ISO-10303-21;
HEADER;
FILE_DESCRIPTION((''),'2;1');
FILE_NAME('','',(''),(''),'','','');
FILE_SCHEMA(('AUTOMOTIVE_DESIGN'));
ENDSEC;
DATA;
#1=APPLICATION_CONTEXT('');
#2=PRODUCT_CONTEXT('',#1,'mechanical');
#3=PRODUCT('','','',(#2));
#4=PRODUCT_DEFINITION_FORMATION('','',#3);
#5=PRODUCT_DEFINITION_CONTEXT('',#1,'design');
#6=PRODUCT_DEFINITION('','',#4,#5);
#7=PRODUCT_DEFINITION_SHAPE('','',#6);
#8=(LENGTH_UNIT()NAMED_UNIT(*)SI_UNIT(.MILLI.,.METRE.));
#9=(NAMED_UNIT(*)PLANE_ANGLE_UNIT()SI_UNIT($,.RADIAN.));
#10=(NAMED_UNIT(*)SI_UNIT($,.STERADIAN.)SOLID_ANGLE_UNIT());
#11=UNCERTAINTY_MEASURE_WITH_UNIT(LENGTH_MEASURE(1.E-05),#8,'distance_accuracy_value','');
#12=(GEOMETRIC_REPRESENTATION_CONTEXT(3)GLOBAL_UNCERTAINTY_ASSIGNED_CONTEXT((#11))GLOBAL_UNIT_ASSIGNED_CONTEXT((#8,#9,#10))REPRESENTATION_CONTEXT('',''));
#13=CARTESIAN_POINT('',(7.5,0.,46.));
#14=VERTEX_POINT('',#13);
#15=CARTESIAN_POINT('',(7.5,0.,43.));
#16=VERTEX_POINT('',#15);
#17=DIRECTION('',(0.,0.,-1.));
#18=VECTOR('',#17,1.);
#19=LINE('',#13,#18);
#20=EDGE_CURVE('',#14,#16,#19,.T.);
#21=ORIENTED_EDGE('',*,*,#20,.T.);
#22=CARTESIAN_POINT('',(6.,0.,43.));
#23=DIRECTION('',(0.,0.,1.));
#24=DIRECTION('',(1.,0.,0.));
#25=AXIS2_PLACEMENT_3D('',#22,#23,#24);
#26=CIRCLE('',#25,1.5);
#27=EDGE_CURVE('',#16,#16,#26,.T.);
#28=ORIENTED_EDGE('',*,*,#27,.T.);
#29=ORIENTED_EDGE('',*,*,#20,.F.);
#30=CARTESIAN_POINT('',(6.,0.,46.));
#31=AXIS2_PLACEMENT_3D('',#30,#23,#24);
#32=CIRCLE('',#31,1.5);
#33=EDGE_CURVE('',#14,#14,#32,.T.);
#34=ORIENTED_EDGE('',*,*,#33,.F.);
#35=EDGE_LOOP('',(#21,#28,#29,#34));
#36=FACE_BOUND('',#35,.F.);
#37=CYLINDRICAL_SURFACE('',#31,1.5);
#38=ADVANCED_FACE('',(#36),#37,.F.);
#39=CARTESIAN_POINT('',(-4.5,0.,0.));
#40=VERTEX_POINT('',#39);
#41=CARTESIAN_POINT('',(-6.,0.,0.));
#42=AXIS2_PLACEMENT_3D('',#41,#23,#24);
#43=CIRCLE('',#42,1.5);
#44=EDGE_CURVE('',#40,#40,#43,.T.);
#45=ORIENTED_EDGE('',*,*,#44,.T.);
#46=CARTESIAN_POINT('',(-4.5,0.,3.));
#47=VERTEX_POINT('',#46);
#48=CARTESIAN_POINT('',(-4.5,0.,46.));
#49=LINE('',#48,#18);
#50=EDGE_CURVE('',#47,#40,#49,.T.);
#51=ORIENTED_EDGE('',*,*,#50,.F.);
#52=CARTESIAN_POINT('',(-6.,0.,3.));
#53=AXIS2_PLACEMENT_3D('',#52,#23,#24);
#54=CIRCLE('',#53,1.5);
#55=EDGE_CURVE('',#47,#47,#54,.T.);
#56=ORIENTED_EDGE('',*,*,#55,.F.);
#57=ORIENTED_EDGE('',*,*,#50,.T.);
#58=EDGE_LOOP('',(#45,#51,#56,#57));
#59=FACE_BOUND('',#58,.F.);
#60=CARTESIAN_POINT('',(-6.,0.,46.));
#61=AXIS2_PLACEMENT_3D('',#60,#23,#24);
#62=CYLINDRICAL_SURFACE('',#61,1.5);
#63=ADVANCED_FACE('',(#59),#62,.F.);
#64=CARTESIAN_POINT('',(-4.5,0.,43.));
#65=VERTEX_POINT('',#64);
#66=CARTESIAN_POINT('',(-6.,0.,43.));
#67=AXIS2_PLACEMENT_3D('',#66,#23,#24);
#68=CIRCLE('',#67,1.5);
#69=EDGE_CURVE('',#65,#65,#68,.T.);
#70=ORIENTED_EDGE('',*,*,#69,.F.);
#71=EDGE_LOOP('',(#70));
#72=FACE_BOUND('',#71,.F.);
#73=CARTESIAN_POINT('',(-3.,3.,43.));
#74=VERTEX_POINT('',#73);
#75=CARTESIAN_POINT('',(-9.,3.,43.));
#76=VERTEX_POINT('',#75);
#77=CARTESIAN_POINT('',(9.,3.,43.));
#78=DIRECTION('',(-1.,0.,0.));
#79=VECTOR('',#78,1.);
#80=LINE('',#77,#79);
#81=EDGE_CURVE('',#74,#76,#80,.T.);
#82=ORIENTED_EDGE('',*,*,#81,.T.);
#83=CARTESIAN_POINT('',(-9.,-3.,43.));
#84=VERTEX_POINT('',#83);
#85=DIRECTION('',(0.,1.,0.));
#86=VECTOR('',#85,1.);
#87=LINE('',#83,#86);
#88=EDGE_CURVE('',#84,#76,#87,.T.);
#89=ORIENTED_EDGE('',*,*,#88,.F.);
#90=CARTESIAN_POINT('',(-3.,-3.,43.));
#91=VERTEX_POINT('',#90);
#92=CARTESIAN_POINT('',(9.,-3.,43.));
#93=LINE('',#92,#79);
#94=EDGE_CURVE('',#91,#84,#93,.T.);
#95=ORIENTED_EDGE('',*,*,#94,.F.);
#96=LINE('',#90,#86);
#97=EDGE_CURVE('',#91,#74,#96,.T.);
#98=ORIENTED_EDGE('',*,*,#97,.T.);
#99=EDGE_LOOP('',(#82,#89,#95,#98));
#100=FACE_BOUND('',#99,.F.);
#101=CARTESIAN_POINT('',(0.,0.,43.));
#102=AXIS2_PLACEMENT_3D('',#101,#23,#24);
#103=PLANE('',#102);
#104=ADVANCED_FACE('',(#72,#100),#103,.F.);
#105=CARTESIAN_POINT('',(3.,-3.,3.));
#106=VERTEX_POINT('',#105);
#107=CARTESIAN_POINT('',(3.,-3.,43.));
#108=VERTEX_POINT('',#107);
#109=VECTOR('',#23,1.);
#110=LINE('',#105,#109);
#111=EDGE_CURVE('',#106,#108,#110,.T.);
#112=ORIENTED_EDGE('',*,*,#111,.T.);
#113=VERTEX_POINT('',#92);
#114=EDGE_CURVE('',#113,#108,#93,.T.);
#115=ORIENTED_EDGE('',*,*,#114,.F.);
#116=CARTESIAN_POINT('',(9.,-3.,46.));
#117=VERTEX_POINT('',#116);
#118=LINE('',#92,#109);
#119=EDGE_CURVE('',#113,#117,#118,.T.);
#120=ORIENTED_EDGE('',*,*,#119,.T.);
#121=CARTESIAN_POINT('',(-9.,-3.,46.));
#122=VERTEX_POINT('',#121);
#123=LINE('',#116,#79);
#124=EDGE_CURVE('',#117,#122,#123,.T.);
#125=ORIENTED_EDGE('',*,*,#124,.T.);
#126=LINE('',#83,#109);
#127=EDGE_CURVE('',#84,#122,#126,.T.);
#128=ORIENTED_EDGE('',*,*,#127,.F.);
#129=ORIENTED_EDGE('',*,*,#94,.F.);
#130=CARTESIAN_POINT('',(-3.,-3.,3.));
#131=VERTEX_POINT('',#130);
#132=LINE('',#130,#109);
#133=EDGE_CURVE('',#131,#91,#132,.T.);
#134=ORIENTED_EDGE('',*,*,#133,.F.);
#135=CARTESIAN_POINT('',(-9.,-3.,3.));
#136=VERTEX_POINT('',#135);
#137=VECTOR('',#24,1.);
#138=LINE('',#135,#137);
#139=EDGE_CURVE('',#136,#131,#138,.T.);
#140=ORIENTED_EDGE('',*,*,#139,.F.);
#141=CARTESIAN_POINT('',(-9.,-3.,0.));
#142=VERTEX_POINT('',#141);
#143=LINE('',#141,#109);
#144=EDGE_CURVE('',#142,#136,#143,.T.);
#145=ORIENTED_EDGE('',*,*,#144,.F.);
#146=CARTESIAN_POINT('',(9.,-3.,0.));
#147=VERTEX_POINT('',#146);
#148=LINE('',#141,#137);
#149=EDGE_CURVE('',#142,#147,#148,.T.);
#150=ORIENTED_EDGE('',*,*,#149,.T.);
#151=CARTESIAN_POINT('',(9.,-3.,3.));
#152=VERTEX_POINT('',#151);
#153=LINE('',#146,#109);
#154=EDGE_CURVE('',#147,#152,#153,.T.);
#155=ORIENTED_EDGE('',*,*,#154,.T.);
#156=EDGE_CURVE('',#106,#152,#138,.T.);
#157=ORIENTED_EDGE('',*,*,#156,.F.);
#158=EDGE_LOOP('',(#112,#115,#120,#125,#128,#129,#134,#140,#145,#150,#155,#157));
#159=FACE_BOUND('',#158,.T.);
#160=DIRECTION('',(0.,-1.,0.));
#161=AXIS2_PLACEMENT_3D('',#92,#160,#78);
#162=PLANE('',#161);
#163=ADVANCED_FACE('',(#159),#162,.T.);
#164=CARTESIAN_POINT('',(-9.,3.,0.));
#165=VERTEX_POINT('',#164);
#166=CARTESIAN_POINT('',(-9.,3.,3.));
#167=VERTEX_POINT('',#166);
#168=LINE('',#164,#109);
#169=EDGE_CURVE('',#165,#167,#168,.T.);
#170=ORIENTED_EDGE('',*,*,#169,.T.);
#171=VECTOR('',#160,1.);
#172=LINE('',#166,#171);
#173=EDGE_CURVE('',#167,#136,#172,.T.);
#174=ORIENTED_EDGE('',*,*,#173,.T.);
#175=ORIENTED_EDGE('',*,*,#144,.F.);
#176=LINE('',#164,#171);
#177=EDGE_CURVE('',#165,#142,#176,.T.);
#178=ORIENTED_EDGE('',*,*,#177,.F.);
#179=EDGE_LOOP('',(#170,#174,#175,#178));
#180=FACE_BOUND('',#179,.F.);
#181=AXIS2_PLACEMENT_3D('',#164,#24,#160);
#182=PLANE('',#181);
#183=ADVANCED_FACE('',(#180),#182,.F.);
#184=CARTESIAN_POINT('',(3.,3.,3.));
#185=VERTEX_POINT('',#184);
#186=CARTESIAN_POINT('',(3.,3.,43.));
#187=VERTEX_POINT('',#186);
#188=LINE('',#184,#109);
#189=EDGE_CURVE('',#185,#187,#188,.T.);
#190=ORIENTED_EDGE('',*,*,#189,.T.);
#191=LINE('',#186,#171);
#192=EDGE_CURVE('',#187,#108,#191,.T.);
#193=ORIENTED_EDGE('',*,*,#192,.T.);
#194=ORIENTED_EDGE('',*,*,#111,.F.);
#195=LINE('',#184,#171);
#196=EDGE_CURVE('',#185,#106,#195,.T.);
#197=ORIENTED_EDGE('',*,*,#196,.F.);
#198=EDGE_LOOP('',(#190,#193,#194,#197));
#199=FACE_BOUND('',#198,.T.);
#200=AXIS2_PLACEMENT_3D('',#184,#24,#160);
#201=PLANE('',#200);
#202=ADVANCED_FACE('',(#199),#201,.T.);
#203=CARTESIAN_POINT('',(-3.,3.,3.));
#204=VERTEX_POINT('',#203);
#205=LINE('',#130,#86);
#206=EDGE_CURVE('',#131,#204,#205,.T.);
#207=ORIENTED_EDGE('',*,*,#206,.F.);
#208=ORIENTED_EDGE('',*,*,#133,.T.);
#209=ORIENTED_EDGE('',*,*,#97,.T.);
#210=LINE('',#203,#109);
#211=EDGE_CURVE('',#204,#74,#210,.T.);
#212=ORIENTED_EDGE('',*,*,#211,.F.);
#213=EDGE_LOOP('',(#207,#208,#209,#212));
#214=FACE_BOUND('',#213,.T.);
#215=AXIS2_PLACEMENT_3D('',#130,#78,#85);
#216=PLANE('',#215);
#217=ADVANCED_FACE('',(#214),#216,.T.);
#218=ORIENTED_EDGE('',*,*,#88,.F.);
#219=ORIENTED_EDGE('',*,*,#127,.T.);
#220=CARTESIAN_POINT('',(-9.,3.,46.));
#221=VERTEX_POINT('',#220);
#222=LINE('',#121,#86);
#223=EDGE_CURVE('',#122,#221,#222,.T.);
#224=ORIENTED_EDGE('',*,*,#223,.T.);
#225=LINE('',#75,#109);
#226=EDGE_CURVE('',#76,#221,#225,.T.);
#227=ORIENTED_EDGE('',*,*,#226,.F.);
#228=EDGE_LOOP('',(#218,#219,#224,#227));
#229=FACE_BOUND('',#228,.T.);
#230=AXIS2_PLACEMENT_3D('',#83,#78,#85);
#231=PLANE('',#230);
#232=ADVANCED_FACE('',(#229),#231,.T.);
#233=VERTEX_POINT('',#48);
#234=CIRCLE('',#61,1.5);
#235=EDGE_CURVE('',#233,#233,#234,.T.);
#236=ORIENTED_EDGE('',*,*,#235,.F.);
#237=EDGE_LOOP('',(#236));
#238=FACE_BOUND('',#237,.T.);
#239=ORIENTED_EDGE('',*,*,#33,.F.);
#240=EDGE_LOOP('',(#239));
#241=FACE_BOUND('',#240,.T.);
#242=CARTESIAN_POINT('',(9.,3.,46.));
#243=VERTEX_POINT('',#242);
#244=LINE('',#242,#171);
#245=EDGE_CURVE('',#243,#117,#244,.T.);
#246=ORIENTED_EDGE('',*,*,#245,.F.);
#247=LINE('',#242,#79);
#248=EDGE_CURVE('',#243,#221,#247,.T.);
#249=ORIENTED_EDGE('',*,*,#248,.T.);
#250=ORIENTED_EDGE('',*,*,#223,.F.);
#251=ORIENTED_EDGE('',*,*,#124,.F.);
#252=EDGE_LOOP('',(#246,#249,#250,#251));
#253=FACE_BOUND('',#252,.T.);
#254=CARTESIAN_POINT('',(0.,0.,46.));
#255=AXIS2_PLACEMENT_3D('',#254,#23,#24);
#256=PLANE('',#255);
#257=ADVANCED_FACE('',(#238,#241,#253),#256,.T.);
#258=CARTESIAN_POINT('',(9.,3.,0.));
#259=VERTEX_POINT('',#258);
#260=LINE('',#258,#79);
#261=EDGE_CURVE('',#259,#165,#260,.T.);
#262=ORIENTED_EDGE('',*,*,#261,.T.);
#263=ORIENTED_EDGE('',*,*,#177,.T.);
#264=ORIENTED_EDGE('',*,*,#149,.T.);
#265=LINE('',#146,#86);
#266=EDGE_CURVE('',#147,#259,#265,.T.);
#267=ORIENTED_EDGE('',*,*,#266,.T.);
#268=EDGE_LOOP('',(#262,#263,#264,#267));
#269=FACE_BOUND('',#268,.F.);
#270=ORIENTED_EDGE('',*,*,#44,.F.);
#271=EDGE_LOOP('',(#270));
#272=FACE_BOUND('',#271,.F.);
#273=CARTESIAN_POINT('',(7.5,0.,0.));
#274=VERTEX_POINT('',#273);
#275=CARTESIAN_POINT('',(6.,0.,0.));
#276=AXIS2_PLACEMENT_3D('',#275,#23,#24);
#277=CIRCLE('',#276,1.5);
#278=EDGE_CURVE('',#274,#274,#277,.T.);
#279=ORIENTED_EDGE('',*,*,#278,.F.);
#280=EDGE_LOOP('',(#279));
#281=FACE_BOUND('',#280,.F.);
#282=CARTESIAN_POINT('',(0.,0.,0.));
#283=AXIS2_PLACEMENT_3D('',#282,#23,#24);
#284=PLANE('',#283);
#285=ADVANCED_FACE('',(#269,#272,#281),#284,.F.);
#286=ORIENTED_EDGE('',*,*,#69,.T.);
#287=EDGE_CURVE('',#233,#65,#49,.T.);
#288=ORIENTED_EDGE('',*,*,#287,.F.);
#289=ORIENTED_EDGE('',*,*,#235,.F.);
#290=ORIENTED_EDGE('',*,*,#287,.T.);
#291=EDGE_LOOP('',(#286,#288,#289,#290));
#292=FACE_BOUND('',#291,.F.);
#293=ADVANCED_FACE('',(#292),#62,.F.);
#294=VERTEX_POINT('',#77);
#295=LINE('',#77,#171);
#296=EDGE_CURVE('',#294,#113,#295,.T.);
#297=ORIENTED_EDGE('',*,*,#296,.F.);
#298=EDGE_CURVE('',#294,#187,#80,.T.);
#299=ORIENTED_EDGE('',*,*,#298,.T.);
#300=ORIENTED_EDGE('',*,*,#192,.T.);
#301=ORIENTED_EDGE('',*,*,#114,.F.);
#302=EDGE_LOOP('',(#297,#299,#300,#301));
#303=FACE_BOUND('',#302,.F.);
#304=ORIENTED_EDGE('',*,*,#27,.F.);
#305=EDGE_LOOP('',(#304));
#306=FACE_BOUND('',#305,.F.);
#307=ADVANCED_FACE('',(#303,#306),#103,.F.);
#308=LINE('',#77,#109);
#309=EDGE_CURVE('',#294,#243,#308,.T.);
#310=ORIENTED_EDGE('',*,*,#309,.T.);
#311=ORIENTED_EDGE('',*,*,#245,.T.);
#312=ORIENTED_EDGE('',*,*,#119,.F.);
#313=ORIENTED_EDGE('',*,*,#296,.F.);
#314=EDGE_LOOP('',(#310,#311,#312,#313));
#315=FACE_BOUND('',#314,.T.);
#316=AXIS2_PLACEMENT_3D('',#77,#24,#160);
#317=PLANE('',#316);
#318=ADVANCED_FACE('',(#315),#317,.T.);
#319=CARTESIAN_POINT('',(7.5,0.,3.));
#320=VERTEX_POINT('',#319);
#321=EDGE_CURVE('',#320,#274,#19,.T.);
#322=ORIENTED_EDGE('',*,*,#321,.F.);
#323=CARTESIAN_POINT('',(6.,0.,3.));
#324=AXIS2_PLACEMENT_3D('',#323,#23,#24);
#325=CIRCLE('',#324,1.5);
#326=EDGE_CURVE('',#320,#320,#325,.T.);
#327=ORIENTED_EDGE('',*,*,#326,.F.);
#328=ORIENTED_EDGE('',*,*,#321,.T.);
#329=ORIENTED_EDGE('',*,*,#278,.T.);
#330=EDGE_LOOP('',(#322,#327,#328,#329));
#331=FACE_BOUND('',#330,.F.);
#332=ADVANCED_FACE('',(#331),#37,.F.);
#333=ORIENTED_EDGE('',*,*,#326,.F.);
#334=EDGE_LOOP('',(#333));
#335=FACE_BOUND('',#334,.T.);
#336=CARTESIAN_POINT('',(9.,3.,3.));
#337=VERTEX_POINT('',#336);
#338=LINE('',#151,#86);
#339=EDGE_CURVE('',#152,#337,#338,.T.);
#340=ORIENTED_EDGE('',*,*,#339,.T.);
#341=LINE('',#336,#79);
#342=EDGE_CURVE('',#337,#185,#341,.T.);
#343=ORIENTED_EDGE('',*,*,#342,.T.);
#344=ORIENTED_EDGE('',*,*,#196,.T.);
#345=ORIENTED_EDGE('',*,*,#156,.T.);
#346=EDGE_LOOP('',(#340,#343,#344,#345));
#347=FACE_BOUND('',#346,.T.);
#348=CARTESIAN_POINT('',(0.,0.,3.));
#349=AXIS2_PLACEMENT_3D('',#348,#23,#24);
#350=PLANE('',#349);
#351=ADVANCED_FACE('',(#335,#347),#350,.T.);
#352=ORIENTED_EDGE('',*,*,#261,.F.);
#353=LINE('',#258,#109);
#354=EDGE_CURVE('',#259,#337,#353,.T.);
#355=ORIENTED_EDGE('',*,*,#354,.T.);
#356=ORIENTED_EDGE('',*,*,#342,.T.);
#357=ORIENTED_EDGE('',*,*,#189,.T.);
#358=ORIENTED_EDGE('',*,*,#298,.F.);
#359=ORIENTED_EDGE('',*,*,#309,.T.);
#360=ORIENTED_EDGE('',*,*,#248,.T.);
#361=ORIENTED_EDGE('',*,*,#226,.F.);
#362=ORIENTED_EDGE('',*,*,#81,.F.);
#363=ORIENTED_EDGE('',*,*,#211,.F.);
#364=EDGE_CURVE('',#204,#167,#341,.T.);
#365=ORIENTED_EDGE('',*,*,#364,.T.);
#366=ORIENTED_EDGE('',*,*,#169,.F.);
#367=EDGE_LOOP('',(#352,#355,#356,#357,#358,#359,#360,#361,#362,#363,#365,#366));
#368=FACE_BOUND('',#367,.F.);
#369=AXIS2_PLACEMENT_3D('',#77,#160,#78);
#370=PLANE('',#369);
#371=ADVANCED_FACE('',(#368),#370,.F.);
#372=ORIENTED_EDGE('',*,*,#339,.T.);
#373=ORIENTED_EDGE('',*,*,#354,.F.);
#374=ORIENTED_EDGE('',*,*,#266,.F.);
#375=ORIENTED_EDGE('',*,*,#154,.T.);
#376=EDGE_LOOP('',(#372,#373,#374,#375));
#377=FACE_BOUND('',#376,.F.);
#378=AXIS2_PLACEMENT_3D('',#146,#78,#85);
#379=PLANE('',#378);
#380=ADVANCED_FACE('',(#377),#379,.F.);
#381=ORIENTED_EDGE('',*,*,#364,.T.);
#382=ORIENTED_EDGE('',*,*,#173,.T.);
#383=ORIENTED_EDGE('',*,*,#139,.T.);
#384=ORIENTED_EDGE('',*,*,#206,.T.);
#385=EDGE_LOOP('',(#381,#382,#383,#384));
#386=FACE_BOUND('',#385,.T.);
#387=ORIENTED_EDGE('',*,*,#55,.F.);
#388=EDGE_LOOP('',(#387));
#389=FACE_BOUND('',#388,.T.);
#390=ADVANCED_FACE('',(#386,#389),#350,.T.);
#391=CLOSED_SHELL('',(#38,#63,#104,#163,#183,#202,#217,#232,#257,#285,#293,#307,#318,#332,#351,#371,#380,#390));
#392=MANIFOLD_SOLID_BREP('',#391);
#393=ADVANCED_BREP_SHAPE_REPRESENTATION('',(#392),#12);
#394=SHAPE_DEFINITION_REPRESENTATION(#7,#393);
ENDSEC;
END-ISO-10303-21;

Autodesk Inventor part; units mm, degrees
ref_plane "YZ Plane" through (0, 0, 0) normal (1, 0, 0) x (0, 1, 0)
ref_plane "XZ Plane" through (0, 0, 0) normal (0, 1, 0) x (-1, 0, 0)
ref_plane "XY Plane" through (0, 0, 0) normal (0, 0, 1) x (1, 0, 0)
sketch "Sketch1" plane through (0, 0, 0) normal (0, 0, 1) x (1, 0, 0)
  line L0 (-9, -3) -> (9, -3)
  line L1 (9, -3) -> (9, 3)
  line L2 (9, 3) -> (-9, 3)
  line L3 (-9, 3) -> (-9, -3)
  line L4 (-9, -3) -> (9, 3) construction
  line L5 (9, -3) -> (-9, 3) construction
  point P0 (0, 0)
  dimension "d0" = 18
  dimension "d1" = 6
extrude "Extrusion1" add sketch "Sketch1" along normal blind 3
sketch "Sketch2" plane through (0, 0, 3) normal (0, 0, 1) x (1, 0, 0)
  line L0 (-3, 3) -> (3, 3)
  line L1 (3, 3) -> (3, -3)
  line L2 (3, -3) -> (-3, -3)
  line L3 (-3, -3) -> (-3, 3)
  line L4 (-3, 3) -> (3, -3) construction
  line L5 (3, 3) -> (-3, -3) construction
  point P0 (0, 0)
  dimension "d4" = 6
  dimension "d5" = 6
extrude "Extrusion2" add sketch "Sketch2" along normal blind 40
sketch "Sketch3" plane through (0, 0, 43) normal (0, 0, 1) x (1, 0, 0)
  line L0 (9, 3) -> (-9, 3) projected
  line L1 (9, -3) -> (-9, -3)
  line L2 (-9, -3) -> (-9, 3)
  line L3 (-9, 3) -> (9, 3)
  line L4 (9, 3) -> (9, -3)
  line L5 (9, -3) -> (-9, 3) construction
  line L6 (-9, -3) -> (9, 3) construction
  point P0 (0, 0)
extrude "Extrusion3" add sketch "Sketch3" along normal blind 3
sketch "Sketch4" plane through (0, 0, 46) normal (0, 0, 1) x (1, 0, 0)
  circle A0 centre (6, 0) radius 1.5
  circle A1 centre (-6, 0) radius 1.5
  point P0 (0, 0)
  dimension "d10" = 3
  dimension "d11" = 3
extrude "Extrusion4" cut sketch "Sketch4" against normal up to surface (46 mm away)
properties part number "shaft"
